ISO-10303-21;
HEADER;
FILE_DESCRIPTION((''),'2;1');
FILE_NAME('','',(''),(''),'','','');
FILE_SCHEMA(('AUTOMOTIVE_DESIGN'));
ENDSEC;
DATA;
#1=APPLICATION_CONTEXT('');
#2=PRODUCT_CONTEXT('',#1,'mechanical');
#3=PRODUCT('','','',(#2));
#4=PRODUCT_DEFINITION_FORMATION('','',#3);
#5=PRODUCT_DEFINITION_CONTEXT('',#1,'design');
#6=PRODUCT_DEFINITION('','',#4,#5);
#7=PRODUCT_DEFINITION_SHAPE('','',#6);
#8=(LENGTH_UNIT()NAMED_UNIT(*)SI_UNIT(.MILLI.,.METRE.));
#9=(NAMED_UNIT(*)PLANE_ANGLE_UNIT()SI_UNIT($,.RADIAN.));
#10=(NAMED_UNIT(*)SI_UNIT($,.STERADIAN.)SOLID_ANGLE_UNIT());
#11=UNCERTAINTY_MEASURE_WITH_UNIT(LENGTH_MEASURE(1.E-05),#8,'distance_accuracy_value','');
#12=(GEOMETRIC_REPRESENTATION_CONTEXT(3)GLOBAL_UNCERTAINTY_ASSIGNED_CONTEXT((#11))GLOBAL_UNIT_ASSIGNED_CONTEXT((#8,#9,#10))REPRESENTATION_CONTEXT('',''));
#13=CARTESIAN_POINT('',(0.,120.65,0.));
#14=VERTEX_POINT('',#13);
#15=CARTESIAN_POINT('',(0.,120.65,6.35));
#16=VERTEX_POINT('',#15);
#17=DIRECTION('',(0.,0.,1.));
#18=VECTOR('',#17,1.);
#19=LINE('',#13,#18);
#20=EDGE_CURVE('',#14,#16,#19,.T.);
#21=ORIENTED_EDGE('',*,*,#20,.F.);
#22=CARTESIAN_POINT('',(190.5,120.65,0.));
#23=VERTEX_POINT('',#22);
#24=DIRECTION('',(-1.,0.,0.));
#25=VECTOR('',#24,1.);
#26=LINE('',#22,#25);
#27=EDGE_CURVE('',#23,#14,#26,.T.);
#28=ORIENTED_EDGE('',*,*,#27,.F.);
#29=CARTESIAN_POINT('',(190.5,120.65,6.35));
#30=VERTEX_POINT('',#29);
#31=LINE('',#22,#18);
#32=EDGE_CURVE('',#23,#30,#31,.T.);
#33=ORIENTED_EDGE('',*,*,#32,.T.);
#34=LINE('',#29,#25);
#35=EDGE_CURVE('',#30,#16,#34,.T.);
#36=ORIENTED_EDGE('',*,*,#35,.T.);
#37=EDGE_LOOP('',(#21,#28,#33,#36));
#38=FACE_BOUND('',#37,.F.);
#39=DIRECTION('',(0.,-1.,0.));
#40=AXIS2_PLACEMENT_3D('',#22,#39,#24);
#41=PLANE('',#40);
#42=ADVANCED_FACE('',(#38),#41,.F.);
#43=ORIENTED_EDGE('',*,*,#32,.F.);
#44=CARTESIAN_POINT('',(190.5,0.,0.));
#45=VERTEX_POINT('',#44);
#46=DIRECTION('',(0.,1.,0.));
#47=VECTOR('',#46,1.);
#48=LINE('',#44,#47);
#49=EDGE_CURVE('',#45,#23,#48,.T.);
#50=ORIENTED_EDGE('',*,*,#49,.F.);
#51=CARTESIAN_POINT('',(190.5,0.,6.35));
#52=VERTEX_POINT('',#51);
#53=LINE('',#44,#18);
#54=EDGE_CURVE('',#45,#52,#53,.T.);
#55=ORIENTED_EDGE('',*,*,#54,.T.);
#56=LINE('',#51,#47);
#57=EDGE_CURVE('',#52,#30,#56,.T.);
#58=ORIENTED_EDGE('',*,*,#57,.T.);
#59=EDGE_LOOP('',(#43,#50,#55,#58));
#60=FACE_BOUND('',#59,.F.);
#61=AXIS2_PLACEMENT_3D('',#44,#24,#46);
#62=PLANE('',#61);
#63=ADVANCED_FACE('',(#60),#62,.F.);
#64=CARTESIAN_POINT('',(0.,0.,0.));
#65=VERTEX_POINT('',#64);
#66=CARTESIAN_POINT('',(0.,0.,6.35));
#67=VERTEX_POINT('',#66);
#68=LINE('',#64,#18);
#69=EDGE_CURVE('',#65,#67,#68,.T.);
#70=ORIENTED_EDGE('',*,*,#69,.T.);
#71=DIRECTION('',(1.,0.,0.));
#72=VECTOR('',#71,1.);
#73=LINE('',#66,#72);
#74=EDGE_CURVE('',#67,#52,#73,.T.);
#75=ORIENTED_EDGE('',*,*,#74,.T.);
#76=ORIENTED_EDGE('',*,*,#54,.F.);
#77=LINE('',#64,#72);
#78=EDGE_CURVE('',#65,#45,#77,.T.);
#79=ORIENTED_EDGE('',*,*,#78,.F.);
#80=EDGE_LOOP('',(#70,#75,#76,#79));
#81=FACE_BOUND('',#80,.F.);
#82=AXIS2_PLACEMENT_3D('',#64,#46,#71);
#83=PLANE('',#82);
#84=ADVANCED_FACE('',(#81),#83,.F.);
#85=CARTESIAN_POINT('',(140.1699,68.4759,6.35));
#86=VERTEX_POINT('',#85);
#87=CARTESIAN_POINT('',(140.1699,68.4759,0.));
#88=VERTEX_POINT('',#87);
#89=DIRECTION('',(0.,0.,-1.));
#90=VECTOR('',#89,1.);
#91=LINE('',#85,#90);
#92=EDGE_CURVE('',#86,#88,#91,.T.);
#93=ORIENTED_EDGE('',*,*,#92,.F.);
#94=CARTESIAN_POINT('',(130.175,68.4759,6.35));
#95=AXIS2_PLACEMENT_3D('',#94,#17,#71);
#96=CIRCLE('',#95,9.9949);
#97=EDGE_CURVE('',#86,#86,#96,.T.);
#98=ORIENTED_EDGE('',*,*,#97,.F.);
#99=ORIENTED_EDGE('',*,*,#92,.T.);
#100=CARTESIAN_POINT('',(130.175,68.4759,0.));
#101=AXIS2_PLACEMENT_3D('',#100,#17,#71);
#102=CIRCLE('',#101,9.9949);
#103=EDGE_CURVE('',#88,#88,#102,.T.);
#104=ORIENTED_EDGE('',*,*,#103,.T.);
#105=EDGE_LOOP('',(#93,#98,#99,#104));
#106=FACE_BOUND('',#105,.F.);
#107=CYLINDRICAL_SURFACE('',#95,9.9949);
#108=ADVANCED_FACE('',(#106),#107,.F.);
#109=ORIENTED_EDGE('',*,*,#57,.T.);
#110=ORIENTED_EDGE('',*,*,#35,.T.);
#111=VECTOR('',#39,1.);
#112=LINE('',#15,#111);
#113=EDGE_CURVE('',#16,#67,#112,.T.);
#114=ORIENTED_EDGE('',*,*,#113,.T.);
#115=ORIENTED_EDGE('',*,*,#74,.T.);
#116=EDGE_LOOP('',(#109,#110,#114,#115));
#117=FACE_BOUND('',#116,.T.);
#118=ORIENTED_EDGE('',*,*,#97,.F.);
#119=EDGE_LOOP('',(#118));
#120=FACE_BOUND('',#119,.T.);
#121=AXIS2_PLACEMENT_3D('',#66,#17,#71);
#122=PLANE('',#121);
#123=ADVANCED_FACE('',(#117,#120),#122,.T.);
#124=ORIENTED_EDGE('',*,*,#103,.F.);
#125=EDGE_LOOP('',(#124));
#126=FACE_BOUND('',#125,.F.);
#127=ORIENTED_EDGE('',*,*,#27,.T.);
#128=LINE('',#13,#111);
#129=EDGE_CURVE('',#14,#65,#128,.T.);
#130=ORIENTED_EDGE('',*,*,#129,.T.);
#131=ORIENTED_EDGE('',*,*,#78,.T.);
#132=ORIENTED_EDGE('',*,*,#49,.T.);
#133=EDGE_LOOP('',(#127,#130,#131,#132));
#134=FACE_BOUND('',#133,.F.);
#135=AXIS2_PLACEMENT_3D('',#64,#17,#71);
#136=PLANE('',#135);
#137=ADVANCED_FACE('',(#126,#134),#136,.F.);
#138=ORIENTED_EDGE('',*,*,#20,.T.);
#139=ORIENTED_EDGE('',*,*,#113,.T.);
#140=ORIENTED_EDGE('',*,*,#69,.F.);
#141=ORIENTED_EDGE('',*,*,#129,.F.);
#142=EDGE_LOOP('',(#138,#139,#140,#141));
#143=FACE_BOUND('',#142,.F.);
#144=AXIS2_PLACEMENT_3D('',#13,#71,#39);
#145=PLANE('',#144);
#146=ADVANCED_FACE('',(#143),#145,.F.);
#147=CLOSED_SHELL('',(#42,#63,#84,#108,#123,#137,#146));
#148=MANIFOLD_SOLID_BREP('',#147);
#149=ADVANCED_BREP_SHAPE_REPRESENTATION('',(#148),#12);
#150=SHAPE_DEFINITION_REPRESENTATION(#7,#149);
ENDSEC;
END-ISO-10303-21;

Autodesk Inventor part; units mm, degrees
ref_plane "YZ Plane" through (0, 0, 0) normal (1, 0, 0) x (0, 1, 0)
ref_plane "XZ Plane" through (0, 0, 0) normal (0, 1, 0) x (-1, 0, 0)
ref_plane "XY Plane" through (0, 0, 0) normal (0, 0, 1) x (1, 0, 0)
sketch "Sketch1" plane through (0, 0, 0) normal (0, 0, 1) x (1, 0, 0)
  line L0 (0, 0) -> (190.5, 0)
  line L1 (190.5, 0) -> (190.5, 120.65)
  line L2 (190.5, 120.65) -> (0, 120.65)
  line L3 (0, 120.65) -> (0, 0)
  dimension "d0" = 190.5
  dimension "d1" = 120.65
extrude "Extrusion1" add sketch "Sketch1" along normal blind 6.35
sketch "Sketch2" plane through (0, 0, 6.35) normal (0, 0, 1) x (1, 0, 0)
  circle A0 centre (130.175, 68.4759) radius 9.9949
  line L0 (190.5, 0) -> (190.5, 120.65) projected
  line L1 (0, 0) -> (190.5, 0) projected
  dimension "d4" = 19.9898
  dimension "d5" = 60.325
  dimension "d6" = 68.4759
extrude "Extrusion2" cut sketch "Sketch2" against normal blind 25.4
properties part number "wall 2" material "Aluminum 6061"
